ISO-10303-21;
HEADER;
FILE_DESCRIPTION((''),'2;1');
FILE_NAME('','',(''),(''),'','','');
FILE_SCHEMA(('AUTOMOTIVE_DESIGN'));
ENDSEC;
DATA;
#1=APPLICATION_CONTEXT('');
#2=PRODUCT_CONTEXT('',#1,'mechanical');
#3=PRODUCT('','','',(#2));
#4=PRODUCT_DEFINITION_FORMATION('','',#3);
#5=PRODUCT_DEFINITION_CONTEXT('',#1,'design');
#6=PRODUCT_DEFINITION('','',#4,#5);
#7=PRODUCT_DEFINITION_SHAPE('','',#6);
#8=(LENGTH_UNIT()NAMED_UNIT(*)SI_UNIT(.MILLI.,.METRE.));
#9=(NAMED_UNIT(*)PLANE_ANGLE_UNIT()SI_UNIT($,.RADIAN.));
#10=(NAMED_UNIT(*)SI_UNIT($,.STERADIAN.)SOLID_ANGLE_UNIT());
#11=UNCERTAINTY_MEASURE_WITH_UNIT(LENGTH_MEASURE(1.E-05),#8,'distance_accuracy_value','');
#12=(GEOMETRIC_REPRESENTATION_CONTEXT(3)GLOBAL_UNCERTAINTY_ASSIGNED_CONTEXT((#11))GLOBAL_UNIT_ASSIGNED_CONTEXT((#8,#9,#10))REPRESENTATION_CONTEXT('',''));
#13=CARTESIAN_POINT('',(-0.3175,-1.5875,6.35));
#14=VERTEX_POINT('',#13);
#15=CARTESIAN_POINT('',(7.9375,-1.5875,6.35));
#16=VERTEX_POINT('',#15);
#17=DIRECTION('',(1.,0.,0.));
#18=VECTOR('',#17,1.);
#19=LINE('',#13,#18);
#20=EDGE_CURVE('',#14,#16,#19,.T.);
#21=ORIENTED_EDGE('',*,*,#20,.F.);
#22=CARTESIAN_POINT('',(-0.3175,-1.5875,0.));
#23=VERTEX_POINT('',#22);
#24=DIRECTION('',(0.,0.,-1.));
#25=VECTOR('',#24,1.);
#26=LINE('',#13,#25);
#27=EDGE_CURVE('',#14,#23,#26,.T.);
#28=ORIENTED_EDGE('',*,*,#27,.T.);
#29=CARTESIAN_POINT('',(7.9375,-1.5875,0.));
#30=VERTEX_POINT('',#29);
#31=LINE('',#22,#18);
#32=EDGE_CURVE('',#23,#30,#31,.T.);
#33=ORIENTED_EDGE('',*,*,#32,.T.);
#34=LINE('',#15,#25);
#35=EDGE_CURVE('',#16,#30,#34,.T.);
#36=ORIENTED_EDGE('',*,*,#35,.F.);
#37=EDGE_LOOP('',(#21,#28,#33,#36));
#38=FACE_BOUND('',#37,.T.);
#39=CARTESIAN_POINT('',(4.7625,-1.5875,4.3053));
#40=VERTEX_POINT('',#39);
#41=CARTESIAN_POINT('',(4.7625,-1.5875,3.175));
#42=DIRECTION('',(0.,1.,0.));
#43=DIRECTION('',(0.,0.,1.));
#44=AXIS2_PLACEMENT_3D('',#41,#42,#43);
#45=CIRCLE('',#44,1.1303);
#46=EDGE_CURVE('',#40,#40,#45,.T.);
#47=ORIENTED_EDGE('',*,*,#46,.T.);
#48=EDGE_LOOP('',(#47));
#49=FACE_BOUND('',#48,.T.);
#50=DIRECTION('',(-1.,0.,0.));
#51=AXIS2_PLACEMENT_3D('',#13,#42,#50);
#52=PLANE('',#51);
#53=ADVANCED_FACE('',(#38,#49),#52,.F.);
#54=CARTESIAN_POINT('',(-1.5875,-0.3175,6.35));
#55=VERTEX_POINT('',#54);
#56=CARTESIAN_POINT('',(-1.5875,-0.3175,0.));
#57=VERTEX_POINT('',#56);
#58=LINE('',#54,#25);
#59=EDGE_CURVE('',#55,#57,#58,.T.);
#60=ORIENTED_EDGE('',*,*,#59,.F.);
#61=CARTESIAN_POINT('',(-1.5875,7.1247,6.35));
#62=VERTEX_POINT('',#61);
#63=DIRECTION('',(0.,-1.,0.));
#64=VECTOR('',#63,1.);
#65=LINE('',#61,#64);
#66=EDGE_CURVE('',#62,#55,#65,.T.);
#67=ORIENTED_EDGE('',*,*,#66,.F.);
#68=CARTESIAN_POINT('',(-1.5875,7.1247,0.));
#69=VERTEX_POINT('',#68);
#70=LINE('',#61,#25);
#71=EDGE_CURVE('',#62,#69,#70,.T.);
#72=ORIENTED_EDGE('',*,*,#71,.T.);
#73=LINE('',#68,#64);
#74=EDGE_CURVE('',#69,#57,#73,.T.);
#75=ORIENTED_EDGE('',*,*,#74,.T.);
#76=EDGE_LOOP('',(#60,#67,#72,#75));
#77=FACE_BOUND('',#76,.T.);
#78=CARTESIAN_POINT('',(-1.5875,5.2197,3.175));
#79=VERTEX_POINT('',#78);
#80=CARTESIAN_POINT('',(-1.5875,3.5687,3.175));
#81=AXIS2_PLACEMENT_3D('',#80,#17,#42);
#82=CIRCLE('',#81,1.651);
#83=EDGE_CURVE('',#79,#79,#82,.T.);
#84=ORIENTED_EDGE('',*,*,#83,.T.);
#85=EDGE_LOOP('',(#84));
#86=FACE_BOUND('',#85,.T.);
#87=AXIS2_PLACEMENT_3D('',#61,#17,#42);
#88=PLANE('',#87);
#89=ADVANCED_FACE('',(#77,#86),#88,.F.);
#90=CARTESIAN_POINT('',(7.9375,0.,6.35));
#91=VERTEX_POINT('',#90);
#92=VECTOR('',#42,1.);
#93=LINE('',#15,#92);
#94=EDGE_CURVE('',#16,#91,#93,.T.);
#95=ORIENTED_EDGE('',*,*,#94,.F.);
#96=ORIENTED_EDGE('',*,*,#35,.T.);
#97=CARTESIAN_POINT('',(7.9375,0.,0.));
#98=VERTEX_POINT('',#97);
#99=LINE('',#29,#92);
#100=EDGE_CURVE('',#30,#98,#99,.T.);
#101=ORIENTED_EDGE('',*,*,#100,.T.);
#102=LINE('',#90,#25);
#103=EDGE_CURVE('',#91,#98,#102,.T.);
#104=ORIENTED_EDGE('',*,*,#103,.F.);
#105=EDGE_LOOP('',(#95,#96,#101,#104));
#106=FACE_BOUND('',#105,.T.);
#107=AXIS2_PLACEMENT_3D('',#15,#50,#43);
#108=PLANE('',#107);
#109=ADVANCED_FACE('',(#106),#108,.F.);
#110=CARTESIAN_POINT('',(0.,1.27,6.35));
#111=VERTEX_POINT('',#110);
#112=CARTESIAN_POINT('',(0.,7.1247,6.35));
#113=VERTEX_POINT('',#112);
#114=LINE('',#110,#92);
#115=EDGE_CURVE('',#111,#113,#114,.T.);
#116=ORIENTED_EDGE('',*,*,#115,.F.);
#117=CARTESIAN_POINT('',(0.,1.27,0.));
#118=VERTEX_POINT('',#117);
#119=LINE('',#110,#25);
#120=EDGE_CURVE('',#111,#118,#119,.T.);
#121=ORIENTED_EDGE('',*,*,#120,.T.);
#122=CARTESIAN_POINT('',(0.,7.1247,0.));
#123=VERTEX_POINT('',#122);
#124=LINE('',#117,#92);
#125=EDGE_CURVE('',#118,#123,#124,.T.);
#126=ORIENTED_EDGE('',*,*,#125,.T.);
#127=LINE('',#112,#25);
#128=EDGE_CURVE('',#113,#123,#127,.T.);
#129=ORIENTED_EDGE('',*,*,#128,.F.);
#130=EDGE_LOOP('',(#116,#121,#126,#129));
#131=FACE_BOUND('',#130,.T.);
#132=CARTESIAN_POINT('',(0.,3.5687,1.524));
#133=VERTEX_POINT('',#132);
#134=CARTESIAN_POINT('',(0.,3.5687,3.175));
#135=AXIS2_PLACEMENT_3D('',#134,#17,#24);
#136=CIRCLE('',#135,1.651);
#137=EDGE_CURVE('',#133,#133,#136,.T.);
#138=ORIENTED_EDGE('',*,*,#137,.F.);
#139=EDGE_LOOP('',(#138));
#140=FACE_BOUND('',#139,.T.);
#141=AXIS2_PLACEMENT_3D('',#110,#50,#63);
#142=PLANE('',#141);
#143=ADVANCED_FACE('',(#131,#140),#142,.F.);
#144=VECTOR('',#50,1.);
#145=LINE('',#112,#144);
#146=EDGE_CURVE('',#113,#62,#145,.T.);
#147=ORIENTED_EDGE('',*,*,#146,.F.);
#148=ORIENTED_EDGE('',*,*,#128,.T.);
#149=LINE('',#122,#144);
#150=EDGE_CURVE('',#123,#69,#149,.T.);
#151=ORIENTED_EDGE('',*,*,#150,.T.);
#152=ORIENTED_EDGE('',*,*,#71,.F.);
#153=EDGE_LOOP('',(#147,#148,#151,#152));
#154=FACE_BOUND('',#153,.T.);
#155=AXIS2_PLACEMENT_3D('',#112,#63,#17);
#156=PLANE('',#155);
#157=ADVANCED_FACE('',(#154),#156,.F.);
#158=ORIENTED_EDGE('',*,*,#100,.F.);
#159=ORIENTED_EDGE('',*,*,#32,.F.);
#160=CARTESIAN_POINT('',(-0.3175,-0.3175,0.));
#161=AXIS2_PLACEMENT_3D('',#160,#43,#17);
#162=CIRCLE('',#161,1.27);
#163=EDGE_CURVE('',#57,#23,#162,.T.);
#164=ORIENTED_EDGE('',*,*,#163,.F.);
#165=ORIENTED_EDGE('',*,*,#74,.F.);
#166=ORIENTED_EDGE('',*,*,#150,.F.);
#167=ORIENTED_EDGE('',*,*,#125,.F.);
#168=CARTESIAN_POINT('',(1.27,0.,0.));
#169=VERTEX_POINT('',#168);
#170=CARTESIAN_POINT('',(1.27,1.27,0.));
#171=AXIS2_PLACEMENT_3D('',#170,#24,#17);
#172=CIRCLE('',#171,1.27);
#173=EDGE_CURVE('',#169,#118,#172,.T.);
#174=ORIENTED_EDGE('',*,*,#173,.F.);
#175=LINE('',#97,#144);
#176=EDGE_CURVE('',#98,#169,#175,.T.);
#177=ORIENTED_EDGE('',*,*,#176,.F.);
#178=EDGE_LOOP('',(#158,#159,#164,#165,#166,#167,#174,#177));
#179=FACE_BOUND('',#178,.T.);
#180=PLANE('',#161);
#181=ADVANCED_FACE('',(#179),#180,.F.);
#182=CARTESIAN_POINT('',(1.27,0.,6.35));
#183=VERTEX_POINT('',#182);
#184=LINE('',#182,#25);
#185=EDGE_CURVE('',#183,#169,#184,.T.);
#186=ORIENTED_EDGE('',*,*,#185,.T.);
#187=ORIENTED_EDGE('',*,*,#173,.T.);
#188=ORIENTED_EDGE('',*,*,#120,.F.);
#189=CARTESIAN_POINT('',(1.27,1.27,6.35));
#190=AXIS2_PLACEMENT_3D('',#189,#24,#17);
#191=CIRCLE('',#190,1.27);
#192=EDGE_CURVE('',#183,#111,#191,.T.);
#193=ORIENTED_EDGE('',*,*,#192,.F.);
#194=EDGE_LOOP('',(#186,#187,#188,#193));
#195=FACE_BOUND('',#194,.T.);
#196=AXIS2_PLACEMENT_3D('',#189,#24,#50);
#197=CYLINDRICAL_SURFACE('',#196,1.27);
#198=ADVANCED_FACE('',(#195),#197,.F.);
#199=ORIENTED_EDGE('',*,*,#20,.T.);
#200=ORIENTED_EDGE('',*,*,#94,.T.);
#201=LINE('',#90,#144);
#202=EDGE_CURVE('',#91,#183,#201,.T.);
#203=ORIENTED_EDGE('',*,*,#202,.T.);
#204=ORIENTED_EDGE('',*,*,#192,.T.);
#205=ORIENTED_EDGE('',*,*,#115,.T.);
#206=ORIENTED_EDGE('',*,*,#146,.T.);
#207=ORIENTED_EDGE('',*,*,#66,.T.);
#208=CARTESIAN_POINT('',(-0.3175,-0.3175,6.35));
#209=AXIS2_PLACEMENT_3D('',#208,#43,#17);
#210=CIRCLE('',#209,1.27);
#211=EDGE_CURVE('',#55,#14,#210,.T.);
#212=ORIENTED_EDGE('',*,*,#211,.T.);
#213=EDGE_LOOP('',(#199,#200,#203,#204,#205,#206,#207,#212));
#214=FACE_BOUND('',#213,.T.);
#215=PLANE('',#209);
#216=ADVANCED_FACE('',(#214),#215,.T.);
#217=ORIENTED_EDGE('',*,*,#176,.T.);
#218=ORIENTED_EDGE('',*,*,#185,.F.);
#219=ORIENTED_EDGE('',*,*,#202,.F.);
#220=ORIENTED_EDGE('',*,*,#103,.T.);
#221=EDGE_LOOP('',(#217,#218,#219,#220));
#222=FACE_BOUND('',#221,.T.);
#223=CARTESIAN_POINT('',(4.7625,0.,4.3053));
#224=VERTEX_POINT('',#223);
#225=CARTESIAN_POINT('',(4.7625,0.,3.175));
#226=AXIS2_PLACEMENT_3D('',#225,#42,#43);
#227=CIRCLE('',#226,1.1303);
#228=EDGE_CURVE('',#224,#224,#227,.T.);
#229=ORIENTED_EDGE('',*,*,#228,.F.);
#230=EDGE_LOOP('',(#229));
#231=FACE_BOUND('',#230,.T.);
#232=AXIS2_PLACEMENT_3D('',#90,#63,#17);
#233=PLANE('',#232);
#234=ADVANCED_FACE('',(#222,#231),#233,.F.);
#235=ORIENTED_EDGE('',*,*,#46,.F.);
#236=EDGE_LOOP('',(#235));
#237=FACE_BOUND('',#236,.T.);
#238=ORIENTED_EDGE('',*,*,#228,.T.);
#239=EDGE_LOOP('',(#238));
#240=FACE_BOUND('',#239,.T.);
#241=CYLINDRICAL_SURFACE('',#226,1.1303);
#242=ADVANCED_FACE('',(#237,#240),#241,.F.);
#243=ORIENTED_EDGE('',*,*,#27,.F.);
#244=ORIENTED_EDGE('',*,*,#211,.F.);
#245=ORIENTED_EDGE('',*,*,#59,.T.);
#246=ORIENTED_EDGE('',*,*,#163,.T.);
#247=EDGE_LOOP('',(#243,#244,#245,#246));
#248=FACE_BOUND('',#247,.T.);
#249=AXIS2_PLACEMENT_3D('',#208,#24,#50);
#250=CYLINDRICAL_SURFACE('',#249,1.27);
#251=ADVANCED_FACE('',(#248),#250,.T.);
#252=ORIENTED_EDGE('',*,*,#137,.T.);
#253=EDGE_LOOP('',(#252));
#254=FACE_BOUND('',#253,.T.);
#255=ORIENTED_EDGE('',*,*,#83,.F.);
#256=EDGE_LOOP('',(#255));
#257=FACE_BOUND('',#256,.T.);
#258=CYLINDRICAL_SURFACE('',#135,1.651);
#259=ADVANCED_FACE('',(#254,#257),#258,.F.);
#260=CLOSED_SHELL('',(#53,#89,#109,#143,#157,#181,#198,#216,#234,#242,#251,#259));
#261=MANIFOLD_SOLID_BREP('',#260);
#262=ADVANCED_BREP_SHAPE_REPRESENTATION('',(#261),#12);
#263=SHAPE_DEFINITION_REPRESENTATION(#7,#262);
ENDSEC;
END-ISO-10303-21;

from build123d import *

# Parameters (mm, degrees)
BOSS_EXTRUDE1_DEPTH       = 6.35
F_4_CLEARANCE_HOLE1_D     = 3.302
F_4_CLEARANCE_HOLE1_DEPTH = 57.15
F_4_CLEARANCE_HOLE1_TIP   = 0.992020882
F_4_40_TAPPED_HOLE1_D     = 2.2606


with BuildPart() as part:
    # Sketch1 → Boss-Extrude1 (new body)
    with BuildSketch(Plane.XY):
        with BuildLine():
            Line((0, 1.27), (0, 7.1247))
            Line((0, 7.1247), (-1.5875, 7.1247))
            Line((-1.5875, 7.1247), (-1.5875, -0.3175))
            ThreePointArc((-1.5875, -0.3175), (-1.215525612, -1.215525612), (-0.3175, -1.5875))
            Line((-0.3175, -1.5875), (7.9375, -1.5875))
            Line((7.9375, -1.5875), (7.9375, 0))
            Line((7.9375, 0), (1.27, 0))
            ThreePointArc((1.27, 0), (0.371974388, 0.371974388), (0, 1.27))
        make_face()
    extrude(amount=BOSS_EXTRUDE1_DEPTH)

    # #4 Clearance Hole1
    with Locations(Plane(origin=(0, 0, 0), x_dir=(0, 0, -1), z_dir=(1, 0, 0))):
        with Locations((-3.175, 3.5687)):
            Hole(F_4_CLEARANCE_HOLE1_D / 2, depth=F_4_CLEARANCE_HOLE1_DEPTH)
            with Locations((0, 0, -(F_4_CLEARANCE_HOLE1_DEPTH + F_4_CLEARANCE_HOLE1_TIP / 2))):  # 118° drill point
                Cone(0, F_4_CLEARANCE_HOLE1_D / 2, F_4_CLEARANCE_HOLE1_TIP, mode=Mode.SUBTRACT)

    # #4-40 Tapped Hole1 (through all)
    with Locations(Plane(origin=(0, 0, 0), x_dir=(1, 0, 0), z_dir=(0, 1, 0))):
        with Locations((4.7625, -3.175)):
            Hole(F_4_40_TAPPED_HOLE1_D / 2)


solid = part.part
